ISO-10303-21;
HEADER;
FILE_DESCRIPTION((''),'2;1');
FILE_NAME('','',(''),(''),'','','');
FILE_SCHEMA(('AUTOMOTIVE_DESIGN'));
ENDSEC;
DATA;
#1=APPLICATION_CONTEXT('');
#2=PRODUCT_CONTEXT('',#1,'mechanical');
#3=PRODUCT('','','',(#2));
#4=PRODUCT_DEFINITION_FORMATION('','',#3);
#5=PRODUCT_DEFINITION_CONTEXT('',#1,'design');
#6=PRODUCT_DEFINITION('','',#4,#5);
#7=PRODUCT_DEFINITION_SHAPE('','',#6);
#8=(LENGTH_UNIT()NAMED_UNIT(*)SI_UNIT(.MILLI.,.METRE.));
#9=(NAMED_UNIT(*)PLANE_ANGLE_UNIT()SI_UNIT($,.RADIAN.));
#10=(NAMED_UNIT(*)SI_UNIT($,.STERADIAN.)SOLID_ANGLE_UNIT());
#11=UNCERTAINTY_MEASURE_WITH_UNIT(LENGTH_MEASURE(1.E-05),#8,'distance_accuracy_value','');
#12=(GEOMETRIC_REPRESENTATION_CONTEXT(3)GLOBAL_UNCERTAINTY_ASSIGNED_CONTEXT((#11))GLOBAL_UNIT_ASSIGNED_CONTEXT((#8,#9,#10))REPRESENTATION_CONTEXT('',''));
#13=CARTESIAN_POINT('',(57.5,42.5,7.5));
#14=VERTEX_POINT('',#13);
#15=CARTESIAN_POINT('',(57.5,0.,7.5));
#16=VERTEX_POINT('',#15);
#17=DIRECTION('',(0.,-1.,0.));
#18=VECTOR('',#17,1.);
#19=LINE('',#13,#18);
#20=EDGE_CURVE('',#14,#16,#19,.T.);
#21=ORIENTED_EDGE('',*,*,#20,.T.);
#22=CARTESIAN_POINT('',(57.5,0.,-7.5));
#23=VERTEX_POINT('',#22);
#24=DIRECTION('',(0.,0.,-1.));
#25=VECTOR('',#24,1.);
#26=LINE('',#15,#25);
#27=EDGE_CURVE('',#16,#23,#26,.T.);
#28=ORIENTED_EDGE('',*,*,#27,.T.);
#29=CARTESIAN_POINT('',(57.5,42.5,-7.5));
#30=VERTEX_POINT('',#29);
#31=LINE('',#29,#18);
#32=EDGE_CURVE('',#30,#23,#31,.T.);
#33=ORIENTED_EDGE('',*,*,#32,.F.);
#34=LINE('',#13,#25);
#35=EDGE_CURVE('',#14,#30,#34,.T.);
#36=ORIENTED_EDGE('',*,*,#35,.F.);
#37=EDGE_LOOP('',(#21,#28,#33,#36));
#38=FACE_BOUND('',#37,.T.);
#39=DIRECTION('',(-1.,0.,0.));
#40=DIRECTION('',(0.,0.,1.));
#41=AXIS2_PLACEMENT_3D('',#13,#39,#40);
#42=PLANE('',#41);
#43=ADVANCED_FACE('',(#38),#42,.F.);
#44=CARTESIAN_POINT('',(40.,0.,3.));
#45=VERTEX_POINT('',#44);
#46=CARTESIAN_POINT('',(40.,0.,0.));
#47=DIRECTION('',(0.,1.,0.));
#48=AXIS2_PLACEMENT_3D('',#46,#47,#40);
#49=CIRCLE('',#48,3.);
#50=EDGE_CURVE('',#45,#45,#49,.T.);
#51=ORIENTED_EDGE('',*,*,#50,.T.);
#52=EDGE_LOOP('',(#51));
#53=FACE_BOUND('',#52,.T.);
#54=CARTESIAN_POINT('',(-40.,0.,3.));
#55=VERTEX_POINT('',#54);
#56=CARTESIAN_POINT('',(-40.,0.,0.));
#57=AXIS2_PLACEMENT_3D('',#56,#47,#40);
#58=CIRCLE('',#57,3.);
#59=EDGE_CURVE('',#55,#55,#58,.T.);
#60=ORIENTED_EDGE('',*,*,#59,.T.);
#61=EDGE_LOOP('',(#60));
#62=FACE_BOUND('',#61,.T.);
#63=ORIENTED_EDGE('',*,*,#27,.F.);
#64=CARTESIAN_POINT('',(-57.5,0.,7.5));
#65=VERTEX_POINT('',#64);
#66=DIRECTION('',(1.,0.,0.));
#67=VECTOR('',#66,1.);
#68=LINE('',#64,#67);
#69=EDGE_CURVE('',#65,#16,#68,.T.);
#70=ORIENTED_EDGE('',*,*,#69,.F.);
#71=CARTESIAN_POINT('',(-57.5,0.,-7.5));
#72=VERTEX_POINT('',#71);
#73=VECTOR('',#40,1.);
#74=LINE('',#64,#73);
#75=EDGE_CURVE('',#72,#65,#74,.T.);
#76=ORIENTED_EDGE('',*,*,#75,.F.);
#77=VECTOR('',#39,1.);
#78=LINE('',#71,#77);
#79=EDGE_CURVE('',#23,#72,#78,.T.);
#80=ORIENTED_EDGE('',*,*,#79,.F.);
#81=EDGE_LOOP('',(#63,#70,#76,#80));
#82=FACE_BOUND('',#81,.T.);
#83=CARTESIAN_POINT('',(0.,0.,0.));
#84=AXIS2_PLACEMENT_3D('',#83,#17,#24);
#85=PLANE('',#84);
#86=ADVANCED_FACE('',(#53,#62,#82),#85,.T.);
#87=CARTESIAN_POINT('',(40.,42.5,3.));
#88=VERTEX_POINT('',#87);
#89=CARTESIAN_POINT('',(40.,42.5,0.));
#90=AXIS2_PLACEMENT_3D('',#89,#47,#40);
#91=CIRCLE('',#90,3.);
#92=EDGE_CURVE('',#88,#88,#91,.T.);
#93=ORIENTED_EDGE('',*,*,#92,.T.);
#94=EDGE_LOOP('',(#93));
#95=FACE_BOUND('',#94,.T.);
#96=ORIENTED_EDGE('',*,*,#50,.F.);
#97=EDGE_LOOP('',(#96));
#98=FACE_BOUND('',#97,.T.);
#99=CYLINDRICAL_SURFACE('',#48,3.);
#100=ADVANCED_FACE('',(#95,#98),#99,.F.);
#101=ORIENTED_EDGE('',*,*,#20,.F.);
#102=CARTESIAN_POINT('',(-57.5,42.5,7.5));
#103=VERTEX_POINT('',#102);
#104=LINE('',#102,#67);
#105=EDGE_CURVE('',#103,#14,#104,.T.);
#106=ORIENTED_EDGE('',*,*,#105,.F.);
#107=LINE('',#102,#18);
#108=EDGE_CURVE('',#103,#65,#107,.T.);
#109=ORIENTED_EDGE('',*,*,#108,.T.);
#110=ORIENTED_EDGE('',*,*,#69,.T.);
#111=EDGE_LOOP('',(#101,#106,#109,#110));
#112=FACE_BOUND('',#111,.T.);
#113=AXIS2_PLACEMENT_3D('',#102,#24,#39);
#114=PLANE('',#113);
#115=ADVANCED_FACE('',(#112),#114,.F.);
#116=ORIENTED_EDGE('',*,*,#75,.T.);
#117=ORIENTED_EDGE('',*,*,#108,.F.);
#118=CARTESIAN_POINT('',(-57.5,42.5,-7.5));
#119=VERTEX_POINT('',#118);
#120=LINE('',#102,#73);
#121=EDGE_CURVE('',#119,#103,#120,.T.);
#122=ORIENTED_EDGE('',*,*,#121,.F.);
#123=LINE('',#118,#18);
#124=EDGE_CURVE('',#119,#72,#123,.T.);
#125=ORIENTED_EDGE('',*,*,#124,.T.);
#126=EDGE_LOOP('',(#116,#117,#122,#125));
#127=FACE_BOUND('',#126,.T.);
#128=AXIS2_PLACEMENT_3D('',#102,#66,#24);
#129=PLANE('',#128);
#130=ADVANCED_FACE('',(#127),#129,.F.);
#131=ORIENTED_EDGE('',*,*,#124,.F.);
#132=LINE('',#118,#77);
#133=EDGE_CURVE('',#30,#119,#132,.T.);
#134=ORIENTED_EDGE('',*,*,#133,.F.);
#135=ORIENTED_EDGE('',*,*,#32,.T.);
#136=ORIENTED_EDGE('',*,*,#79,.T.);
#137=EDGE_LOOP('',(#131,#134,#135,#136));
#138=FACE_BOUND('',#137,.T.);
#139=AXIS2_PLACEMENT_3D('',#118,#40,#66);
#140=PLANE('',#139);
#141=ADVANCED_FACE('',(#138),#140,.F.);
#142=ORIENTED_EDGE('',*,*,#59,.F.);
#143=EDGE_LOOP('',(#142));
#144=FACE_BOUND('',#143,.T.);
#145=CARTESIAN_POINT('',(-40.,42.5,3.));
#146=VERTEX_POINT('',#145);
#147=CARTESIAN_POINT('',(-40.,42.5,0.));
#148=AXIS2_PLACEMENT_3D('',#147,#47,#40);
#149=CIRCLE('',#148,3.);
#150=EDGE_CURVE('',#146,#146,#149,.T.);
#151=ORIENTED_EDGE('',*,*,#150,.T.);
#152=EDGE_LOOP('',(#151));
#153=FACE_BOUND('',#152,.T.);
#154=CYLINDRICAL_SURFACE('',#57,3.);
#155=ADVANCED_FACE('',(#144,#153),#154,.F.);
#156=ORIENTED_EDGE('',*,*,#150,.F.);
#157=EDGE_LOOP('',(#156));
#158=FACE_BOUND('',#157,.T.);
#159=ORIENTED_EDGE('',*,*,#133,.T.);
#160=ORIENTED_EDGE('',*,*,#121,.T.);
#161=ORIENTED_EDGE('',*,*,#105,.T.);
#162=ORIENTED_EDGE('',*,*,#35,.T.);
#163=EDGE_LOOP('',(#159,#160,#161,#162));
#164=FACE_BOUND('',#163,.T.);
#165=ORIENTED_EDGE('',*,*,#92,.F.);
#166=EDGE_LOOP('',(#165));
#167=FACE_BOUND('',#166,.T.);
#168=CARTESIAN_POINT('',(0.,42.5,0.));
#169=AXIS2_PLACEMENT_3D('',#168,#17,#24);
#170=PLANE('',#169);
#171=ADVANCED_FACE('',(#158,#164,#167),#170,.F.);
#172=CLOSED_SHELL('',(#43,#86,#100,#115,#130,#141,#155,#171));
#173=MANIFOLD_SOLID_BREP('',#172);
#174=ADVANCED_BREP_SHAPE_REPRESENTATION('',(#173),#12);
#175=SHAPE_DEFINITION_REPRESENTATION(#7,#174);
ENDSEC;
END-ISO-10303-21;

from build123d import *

# Parameters (mm, degrees)
SKETCH1_W           = 115
SKETCH1_H           = 15
BOSS_EXTRUDE1_DEPTH = 42.5
SKETCH2_R           = 3
CUT_EXTRUDE1_DEPTH  = 42.5


with BuildPart() as part:
    # Sketch1 → Boss-Extrude1 (new body)
    with BuildSketch(Plane(origin=(0, 0, 0), x_dir=(1, 0, 0), z_dir=(0, 1, 0))):
        Rectangle(SKETCH1_W, SKETCH1_H)
    extrude(amount=BOSS_EXTRUDE1_DEPTH)

    # Sketch2 → Cut-Extrude1 (cut)
    with BuildSketch(Plane(origin=(0, 42.5, 0), x_dir=(1, 0, 0), z_dir=(0, 1, 0))):
        with Locations((-40, 0)):
            Circle(SKETCH2_R)
        with Locations((40, 0)):
            Circle(SKETCH2_R)
    extrude(amount=-CUT_EXTRUDE1_DEPTH, mode=Mode.SUBTRACT)


solid = part.part
